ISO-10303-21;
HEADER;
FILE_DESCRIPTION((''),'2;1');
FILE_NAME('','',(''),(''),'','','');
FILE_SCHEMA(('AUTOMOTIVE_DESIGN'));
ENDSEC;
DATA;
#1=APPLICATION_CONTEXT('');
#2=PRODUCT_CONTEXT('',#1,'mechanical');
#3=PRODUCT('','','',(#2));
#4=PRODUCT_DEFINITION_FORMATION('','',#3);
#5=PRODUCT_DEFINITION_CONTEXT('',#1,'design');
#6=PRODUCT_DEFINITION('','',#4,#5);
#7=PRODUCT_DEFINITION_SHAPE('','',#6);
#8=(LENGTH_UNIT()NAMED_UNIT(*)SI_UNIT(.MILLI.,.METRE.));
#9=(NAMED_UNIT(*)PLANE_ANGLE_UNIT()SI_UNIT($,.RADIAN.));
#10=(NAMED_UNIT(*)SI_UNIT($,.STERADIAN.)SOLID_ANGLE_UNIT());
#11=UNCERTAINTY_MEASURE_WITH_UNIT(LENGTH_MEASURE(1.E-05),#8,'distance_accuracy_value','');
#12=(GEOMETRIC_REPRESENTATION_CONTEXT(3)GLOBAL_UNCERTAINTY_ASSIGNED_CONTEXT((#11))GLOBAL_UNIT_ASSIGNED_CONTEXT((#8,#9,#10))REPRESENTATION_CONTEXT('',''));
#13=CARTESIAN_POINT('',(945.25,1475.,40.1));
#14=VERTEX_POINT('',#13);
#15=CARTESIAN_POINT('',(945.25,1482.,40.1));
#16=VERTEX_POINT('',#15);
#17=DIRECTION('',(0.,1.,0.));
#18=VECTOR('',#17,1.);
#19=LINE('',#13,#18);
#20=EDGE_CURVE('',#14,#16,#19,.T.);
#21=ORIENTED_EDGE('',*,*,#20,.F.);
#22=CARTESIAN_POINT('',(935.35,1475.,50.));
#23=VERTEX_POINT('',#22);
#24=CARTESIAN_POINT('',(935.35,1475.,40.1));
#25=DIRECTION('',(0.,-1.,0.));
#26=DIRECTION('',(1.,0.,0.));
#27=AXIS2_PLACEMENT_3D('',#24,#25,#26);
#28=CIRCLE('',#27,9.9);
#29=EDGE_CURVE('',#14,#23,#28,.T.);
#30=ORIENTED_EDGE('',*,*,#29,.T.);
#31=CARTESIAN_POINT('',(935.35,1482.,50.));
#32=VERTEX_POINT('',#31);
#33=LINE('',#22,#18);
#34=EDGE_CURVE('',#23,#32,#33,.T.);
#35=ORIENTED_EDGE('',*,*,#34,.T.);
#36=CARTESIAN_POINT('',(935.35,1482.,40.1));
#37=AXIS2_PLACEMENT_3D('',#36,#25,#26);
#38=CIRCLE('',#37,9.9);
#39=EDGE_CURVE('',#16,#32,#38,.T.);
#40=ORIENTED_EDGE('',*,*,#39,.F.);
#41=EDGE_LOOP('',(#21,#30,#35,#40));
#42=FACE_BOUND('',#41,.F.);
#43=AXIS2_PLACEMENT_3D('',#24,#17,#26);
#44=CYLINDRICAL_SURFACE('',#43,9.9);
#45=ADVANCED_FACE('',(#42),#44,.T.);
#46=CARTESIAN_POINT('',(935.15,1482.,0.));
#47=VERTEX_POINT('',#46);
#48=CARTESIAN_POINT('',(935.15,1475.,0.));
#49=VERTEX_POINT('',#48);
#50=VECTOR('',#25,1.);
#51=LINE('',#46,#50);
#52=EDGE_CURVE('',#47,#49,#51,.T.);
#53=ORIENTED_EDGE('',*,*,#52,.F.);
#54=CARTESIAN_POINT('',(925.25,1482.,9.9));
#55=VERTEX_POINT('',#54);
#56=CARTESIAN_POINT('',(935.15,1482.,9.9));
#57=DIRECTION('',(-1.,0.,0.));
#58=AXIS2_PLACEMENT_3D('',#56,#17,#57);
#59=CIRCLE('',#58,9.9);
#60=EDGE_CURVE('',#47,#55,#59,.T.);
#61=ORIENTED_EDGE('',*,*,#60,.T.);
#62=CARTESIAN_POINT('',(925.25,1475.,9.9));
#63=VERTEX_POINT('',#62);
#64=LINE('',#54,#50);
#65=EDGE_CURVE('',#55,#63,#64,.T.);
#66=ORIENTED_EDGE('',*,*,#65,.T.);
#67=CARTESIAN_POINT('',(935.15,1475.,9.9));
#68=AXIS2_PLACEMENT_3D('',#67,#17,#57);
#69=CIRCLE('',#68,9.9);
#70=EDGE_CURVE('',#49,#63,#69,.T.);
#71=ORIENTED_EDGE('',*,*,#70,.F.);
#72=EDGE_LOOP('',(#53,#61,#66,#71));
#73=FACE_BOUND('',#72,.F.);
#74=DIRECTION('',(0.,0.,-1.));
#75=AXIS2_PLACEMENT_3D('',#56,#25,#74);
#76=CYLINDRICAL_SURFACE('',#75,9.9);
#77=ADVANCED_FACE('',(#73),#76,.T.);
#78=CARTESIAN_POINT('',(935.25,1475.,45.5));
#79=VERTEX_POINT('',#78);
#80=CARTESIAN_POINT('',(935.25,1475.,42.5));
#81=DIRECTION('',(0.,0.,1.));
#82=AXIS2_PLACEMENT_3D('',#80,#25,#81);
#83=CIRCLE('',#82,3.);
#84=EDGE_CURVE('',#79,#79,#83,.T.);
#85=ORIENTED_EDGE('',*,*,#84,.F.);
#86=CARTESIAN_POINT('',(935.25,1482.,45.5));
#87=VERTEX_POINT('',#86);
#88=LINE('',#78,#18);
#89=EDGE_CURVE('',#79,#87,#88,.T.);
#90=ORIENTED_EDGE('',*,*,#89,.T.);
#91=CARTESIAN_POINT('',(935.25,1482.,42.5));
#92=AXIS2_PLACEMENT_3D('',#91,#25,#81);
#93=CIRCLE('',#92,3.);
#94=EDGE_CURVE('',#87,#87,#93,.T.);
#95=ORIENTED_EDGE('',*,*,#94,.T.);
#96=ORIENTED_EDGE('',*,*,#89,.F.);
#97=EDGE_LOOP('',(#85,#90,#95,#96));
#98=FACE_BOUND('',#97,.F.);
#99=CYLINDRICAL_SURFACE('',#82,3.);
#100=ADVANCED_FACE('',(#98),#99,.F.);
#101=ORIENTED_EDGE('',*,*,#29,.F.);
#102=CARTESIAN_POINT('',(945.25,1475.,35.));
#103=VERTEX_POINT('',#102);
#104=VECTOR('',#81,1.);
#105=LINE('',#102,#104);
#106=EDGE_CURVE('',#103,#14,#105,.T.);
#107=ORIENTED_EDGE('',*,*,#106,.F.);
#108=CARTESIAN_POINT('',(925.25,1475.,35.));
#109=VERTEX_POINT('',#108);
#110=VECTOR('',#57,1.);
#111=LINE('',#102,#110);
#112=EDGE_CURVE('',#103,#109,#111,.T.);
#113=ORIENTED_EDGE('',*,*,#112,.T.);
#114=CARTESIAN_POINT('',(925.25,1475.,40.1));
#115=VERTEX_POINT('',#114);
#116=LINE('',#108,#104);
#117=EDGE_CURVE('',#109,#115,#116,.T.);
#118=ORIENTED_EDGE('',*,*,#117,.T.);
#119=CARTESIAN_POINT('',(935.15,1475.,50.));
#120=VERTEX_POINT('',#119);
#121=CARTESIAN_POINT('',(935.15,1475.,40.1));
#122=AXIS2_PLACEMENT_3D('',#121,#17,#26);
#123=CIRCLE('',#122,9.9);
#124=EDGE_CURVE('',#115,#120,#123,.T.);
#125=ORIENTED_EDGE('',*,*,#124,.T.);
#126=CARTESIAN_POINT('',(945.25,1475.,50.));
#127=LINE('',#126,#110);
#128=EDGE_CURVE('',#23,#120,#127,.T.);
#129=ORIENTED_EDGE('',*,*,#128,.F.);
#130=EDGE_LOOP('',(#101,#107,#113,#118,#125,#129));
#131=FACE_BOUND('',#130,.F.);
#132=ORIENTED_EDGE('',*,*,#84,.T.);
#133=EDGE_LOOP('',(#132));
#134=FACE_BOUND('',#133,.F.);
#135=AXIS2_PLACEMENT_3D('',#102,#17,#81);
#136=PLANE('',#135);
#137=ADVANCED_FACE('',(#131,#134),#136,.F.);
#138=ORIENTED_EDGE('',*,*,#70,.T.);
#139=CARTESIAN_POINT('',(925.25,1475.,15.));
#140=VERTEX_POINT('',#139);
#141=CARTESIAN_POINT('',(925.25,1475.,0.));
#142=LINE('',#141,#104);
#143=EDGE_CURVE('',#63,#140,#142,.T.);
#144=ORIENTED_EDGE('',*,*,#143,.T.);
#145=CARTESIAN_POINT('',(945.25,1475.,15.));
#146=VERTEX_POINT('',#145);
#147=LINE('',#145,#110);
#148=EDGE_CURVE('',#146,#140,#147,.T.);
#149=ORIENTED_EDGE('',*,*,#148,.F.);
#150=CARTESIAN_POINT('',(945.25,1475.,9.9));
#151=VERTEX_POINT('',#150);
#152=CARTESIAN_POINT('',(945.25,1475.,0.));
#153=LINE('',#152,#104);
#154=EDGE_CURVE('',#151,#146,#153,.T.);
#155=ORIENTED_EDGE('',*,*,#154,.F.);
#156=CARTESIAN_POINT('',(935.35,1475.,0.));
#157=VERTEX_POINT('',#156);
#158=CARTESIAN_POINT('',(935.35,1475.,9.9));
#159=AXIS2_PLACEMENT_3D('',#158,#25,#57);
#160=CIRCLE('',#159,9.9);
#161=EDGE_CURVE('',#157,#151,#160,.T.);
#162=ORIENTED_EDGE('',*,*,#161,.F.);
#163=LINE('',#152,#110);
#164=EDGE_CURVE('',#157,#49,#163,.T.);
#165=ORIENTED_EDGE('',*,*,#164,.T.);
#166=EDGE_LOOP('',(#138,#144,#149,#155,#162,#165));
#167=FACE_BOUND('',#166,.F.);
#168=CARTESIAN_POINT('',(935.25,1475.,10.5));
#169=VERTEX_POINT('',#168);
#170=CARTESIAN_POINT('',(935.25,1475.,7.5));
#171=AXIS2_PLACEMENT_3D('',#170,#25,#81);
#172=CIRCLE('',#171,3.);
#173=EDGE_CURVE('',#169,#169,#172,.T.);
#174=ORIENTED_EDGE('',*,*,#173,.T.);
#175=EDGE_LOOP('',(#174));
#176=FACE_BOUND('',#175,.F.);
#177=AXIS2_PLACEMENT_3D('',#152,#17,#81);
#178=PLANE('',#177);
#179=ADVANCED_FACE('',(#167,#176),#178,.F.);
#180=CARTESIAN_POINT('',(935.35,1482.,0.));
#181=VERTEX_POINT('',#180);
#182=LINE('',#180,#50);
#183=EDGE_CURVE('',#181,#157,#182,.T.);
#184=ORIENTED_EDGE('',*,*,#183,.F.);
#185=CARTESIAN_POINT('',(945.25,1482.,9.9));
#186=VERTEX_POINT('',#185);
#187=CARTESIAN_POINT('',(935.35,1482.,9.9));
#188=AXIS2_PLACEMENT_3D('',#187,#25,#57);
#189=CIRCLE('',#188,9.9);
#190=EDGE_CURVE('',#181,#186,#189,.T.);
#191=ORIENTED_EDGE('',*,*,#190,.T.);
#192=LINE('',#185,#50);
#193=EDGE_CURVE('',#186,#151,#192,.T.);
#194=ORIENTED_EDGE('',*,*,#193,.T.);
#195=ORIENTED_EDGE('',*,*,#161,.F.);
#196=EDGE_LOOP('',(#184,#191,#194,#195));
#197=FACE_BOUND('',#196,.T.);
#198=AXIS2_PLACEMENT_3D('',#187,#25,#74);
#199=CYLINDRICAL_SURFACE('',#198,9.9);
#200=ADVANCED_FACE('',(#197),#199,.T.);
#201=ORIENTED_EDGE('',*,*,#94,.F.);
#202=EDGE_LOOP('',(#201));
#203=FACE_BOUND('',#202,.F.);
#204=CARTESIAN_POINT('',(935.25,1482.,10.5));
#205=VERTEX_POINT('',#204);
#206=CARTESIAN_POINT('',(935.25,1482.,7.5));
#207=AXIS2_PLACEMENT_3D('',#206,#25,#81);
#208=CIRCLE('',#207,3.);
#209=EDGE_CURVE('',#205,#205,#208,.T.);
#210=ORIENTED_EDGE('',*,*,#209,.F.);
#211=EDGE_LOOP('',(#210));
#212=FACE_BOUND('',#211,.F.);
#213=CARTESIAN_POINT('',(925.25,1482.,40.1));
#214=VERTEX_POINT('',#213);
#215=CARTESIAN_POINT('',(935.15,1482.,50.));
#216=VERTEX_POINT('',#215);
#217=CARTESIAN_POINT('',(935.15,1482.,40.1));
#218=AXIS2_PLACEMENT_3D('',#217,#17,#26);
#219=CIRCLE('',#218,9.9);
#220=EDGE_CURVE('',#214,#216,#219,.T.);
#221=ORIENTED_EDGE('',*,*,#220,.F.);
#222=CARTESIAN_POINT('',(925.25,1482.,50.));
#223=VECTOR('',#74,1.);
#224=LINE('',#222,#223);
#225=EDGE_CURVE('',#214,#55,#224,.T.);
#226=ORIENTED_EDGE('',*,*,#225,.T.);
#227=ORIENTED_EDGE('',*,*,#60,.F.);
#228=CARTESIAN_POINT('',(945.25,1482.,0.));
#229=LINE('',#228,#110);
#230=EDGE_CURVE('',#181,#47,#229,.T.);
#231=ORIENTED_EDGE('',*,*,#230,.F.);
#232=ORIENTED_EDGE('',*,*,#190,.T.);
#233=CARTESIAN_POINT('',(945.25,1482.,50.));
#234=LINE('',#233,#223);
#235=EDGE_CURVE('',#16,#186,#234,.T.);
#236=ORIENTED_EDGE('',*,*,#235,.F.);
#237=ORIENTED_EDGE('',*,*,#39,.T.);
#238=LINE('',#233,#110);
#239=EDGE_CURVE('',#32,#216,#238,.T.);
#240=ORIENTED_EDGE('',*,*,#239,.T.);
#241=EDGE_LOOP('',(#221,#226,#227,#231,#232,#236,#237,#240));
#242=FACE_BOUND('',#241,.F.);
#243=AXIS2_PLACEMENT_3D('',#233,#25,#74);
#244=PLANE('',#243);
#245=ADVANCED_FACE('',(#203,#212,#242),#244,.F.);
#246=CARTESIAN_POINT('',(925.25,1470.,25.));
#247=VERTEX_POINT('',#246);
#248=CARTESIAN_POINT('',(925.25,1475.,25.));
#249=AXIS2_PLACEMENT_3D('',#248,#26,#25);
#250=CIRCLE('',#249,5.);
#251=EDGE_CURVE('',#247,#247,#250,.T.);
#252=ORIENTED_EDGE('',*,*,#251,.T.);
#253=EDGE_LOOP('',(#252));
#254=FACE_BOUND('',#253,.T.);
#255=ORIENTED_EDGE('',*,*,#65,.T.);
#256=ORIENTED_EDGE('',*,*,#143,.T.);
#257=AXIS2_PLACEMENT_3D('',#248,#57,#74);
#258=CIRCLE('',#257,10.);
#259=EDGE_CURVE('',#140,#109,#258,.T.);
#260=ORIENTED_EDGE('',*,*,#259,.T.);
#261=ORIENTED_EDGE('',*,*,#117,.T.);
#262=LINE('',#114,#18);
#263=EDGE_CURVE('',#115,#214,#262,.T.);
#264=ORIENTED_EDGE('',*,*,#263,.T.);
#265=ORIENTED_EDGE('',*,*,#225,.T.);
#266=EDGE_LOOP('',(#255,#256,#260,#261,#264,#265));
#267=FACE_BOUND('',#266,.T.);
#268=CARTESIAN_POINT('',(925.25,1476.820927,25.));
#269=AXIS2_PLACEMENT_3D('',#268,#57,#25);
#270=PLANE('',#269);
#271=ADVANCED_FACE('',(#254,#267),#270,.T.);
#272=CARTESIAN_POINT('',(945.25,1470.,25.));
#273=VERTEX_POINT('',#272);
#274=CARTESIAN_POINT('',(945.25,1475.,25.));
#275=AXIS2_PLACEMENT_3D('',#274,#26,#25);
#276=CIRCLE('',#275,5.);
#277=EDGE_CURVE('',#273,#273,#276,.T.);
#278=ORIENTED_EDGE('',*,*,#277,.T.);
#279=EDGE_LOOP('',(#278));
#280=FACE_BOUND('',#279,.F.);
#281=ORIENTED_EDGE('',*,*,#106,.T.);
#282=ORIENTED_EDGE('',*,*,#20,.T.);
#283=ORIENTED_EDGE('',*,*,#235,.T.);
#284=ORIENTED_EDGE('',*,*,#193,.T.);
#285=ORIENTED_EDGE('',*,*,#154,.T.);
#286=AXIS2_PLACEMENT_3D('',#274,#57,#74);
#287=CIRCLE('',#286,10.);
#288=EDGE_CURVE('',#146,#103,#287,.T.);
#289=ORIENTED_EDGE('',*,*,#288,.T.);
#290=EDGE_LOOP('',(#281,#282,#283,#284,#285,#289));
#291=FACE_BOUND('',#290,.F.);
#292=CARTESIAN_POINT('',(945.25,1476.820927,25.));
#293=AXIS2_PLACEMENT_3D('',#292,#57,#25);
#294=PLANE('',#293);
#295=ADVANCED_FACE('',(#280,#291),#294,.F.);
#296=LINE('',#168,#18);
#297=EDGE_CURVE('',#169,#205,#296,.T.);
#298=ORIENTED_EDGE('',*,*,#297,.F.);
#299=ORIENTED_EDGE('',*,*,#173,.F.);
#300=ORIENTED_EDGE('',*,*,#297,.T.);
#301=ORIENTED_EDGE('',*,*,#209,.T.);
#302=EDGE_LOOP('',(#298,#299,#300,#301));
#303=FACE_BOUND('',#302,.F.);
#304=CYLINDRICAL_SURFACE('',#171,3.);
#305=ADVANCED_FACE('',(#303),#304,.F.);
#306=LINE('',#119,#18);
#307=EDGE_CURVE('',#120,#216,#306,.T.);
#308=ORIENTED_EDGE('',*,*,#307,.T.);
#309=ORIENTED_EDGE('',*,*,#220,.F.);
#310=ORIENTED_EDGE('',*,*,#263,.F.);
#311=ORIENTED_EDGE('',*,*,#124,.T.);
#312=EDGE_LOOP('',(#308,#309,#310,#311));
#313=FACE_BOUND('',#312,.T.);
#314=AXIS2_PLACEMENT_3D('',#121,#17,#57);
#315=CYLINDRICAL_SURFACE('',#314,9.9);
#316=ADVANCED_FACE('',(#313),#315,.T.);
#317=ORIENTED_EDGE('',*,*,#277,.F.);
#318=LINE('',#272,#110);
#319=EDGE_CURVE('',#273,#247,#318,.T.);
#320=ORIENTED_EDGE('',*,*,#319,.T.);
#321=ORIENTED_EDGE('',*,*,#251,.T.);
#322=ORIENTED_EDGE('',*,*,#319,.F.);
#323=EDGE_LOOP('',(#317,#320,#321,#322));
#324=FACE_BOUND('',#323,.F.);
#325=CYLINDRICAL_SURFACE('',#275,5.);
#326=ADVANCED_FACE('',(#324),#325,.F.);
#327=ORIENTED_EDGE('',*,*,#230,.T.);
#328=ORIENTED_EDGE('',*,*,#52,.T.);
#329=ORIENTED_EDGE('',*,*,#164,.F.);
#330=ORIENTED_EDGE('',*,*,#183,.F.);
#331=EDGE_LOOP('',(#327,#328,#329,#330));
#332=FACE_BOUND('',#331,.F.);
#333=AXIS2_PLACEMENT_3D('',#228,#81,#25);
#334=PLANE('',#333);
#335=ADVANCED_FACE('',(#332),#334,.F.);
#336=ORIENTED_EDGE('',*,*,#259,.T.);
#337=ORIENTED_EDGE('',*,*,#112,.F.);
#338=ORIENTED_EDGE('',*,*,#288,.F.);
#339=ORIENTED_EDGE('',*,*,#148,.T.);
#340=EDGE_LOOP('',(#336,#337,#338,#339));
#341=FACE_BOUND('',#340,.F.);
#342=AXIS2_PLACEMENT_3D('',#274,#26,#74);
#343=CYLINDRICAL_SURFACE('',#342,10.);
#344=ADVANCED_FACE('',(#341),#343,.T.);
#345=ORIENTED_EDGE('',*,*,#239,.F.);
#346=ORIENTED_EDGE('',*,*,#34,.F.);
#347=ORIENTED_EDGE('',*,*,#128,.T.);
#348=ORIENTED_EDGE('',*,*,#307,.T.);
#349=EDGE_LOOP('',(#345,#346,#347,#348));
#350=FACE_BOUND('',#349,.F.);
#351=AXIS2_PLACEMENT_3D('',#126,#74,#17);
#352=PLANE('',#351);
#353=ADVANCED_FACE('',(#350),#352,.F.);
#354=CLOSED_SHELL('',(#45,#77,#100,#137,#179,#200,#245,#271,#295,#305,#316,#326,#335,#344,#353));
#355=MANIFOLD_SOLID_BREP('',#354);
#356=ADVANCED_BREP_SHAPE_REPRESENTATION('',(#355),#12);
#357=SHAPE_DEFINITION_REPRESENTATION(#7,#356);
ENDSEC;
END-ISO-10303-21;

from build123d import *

# Parameters (mm, degrees)
PAD030_DEPTH             = 20
SKETCH021_R              = 5
POCKET001006_DEPTH       = 20.001
FILLET_R                 = 9.9
SKETCH024_R              = 3
POCKET002_DEPTH          = 7.001
CLONE076_ROLL_ANGLE      = 90
CLONE076_PLACEMENT_ANGLE = -90


with BuildPart() as part:
    # Sketch020 → Pad030 (new body)
    with BuildSketch(Plane.XY):
        with BuildLine():
            Line((18, 0), (25, 0))
            Line((25, 0), (25, 15))
            ThreePointArc((25, 15), (35, 25), (25, 35))
            Line((25, 35), (25, 50))
            Line((25, 50), (18, 50))
            Line((18, 50), (18, 0))
        make_face()
    extrude(amount=PAD030_DEPTH)

    # Sketch021 → Pocket001006 (cut, through all)
    with BuildSketch(Plane(origin=(0, 0, 0), x_dir=(1, 0, 0), z_dir=(0, 0, -1))):
        with Locations((25, -25)):
            Circle(SKETCH021_R)
    extrude(amount=-POCKET001006_DEPTH, mode=Mode.SUBTRACT)

    # Fillet
    fillet_edges = [part.edges().sort_by_distance(p)[0] for p in [
        (21.5, 0, 0),
        (21.5, 50, 0),
        (21.5, 50, 20),
        (21.5, 0, 20),
    ]]
    fillet(fillet_edges, radius=FILLET_R)

    # Sketch024 → Pocket002 (cut, through all)
    with BuildSketch(Plane.YZ.offset(25)):
        with Locations((7.5, 10)):
            Circle(SKETCH024_R)
        with Locations((42.5, 10)):
            Circle(SKETCH024_R)
    extrude(amount=-POCKET002_DEPTH, mode=Mode.SUBTRACT)


with BuildPart() as part_1:
    # Clone076 roll: moved
    add(part.part.rotate(Axis((0, 0, 0), (1, 0, 0)), CLONE076_ROLL_ANGLE))


with BuildPart() as part_2:
    # Clone076 placement: moved
    add(part_1.part.moved(Location((120.75, 1500, 0))).rotate(Axis((120.75, 1500, 0), (0, 0, 1)), CLONE076_PLACEMENT_ANGLE))


with BuildPart() as part_3:
    # Clone083 placement: moved
    add(part_2.part.moved(Location((824.5, 0, 0))))


solid = part_3.part
